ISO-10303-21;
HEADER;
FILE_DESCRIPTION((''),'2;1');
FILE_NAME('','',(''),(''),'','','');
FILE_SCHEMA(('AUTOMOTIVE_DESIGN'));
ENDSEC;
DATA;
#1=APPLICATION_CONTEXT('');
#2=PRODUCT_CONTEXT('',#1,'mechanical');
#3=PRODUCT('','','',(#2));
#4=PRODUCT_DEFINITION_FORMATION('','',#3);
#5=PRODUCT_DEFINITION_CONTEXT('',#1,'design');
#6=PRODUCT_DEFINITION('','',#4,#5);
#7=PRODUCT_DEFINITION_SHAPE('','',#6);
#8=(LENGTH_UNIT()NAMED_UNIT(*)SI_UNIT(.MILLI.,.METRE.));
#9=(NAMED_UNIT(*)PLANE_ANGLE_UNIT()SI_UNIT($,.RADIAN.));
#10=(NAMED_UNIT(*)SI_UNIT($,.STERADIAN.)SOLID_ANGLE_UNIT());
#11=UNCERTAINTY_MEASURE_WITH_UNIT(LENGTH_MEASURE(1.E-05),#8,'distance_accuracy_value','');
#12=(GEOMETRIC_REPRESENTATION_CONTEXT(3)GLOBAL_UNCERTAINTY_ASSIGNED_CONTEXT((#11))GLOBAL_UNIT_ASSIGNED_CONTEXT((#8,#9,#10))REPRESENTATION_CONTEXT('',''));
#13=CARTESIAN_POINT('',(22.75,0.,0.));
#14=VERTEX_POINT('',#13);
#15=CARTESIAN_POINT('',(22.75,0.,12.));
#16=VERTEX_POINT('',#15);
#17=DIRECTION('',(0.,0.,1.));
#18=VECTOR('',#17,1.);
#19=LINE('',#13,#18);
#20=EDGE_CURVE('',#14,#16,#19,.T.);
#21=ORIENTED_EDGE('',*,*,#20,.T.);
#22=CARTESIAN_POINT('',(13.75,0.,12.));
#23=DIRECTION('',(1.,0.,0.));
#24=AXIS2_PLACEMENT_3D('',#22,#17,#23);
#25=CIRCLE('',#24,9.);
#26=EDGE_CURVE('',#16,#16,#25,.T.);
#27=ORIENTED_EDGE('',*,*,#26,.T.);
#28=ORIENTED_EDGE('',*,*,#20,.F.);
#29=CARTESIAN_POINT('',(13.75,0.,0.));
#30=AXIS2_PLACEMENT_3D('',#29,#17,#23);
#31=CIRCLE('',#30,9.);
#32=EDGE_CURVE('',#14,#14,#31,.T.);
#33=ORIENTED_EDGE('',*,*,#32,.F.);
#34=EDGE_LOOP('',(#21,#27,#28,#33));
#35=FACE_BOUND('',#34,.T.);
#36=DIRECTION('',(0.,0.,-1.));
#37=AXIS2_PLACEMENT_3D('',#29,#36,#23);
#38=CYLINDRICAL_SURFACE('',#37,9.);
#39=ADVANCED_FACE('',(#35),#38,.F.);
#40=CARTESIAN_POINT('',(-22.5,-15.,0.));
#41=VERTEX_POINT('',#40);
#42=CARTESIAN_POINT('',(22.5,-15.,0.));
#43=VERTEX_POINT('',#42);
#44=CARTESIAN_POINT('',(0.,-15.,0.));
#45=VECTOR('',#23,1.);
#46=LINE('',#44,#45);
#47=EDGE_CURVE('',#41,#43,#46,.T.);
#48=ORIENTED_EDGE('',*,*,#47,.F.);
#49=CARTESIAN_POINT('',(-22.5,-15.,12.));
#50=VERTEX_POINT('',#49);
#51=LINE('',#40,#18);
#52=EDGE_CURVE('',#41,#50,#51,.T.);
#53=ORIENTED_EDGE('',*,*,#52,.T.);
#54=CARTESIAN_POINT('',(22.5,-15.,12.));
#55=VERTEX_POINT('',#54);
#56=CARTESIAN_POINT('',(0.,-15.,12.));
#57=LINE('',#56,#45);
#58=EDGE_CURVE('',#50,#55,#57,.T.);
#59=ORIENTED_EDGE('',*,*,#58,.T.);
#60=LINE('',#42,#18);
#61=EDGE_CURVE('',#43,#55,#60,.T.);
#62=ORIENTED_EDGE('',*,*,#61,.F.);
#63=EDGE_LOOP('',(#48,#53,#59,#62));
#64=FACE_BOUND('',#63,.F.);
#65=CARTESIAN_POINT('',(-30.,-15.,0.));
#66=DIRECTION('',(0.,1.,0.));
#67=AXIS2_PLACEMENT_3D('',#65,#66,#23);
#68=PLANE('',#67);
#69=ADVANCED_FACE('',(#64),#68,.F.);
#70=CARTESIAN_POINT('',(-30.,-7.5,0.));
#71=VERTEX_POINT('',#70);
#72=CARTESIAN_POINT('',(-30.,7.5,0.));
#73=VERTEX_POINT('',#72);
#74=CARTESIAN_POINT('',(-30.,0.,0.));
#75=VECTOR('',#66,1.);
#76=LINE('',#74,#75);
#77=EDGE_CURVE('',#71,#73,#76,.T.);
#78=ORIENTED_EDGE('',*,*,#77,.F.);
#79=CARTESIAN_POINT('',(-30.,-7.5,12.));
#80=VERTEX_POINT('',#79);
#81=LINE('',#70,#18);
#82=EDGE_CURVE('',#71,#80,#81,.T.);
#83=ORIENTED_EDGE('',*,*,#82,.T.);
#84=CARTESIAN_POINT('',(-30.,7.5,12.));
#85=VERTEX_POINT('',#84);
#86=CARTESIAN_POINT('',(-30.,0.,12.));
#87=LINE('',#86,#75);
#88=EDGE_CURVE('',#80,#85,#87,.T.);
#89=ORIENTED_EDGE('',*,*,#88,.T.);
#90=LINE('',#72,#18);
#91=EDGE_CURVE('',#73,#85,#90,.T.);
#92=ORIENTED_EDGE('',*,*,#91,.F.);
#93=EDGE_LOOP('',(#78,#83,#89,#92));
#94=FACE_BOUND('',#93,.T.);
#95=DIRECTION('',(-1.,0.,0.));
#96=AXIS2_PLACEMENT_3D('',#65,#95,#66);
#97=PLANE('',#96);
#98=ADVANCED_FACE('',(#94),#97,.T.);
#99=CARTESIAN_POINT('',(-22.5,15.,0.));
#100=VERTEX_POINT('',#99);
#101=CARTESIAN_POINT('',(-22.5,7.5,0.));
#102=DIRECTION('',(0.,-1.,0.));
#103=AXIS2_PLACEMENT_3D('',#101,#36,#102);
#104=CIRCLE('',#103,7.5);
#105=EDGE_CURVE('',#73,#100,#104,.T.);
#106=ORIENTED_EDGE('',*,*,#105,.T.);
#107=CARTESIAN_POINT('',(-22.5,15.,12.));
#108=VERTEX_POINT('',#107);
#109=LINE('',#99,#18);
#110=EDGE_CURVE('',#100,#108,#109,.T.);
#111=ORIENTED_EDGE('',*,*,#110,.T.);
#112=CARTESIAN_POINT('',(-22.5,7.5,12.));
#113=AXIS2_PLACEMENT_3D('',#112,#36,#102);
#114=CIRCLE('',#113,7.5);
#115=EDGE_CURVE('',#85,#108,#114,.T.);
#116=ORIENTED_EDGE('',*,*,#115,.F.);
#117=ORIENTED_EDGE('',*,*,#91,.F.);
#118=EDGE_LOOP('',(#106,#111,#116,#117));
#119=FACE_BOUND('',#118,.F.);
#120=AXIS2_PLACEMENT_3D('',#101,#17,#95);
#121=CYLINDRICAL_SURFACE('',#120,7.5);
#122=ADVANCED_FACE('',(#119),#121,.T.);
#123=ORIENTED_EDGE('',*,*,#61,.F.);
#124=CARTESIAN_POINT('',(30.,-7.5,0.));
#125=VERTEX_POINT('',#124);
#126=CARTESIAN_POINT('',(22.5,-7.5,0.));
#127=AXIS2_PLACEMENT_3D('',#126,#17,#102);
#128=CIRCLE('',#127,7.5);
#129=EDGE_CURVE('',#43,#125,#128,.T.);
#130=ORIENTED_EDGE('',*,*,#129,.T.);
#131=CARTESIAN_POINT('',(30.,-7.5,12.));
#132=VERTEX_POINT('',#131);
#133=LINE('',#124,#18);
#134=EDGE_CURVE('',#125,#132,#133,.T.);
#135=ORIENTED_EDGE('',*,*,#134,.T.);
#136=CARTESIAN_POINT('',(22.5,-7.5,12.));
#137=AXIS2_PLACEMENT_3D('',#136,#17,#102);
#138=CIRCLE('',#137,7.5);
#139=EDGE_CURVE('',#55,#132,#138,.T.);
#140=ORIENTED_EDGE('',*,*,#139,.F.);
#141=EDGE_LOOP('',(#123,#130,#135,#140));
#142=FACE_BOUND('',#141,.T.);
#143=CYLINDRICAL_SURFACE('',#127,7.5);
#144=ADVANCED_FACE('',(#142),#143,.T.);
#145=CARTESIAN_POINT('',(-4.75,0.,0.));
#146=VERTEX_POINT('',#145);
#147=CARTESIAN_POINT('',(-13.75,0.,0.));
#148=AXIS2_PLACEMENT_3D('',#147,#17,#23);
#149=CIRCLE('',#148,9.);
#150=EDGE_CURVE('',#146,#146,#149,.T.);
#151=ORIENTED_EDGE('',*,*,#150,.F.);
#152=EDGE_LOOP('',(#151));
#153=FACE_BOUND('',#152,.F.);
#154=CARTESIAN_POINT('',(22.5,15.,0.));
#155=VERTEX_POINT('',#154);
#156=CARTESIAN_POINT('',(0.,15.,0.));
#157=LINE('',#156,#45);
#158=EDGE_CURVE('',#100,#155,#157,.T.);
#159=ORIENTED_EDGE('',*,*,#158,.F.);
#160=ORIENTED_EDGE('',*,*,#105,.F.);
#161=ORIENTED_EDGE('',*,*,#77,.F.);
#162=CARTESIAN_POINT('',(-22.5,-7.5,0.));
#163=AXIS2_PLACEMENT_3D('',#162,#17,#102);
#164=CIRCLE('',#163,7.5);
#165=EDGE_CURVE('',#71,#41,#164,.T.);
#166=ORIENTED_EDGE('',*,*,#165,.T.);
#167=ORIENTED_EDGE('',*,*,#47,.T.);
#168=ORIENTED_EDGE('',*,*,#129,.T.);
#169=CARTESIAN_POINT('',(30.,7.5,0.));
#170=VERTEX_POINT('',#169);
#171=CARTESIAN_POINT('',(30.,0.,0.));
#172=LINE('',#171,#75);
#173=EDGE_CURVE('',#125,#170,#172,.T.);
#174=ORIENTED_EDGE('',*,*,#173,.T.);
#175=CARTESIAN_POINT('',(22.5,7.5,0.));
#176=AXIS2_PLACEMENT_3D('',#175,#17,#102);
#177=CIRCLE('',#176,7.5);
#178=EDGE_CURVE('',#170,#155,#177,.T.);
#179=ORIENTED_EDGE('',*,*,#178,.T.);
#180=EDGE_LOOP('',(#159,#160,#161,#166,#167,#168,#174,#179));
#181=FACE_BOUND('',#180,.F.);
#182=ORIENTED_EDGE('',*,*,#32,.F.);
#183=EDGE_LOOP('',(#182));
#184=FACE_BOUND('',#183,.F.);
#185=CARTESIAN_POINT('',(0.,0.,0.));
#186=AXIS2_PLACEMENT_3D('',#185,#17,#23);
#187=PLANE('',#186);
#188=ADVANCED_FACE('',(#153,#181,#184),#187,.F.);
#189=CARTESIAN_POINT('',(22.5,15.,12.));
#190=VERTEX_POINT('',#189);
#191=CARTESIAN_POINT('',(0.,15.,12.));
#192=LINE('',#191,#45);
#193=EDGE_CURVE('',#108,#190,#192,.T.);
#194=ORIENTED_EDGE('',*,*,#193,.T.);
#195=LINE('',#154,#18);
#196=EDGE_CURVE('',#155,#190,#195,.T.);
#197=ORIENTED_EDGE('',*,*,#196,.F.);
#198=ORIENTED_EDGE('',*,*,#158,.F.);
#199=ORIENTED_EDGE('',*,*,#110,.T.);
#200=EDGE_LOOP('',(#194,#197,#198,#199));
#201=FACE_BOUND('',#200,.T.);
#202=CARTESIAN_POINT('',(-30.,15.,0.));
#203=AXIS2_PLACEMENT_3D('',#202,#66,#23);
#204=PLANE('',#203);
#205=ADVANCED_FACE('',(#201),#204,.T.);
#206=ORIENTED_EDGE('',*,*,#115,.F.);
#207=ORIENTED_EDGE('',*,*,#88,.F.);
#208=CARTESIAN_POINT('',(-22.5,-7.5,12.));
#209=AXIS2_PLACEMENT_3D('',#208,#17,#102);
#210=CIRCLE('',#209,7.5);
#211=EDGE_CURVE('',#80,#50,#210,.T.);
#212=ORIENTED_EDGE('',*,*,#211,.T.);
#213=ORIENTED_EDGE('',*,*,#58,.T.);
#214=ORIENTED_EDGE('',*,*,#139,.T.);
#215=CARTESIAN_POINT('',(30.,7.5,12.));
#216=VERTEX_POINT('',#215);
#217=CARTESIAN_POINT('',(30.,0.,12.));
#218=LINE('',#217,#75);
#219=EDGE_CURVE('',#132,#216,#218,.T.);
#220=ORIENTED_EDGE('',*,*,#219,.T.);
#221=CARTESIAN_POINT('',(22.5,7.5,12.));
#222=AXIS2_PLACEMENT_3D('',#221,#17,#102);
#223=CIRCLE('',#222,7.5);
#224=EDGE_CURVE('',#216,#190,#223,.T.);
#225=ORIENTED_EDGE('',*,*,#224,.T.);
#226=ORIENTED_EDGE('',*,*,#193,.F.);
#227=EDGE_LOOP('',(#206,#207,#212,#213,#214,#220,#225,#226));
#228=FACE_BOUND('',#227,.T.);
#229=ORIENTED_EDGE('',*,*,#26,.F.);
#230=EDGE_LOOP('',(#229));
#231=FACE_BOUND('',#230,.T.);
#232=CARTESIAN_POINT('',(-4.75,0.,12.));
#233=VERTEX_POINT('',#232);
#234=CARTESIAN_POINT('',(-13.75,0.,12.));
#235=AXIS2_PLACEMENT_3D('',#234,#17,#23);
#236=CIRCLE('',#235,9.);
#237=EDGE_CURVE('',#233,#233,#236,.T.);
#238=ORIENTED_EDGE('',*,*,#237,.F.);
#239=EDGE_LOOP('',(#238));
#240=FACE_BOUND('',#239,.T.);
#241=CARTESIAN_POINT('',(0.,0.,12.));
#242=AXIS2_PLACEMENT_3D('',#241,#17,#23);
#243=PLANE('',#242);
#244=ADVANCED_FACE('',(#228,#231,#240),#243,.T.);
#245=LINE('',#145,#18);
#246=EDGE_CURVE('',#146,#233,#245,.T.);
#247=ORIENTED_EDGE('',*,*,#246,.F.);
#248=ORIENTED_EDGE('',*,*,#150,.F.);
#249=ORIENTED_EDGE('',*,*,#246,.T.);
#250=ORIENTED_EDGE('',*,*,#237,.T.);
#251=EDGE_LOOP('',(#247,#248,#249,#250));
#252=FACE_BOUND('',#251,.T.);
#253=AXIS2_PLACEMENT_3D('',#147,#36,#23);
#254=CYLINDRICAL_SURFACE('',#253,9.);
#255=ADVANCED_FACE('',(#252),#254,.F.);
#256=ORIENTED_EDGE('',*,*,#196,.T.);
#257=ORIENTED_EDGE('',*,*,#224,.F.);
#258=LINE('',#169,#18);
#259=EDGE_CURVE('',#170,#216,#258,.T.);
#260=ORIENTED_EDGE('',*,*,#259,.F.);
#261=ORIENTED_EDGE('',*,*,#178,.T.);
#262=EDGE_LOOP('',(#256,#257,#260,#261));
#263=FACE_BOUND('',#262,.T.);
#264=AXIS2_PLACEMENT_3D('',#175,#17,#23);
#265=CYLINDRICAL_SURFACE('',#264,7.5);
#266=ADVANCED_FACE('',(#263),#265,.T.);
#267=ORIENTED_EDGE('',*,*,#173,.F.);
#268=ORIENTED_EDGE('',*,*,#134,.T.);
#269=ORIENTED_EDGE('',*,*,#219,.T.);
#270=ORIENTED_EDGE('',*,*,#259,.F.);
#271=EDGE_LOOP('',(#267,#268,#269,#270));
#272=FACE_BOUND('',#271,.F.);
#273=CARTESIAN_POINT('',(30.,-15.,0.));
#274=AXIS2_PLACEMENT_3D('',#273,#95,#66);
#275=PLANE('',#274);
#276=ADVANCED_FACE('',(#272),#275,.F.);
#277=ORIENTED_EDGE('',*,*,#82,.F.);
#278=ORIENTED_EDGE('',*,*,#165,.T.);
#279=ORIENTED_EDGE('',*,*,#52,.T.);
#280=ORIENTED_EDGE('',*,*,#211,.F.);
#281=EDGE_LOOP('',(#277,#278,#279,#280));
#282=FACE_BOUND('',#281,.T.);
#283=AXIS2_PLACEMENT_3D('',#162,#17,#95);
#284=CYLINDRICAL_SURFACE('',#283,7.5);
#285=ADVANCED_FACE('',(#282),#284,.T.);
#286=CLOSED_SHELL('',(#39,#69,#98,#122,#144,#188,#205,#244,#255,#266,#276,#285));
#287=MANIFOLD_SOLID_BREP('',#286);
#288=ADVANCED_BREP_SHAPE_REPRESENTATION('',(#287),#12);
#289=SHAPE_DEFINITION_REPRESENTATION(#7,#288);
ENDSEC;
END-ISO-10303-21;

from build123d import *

# Parameters (mm, degrees)
F0_W     = 60
F0_H     = 30
F0_R     = 9
F1_DEPTH = 12
F2_R     = 7.5
F3_R     = 7.5
F4_R     = 7.5
F5_R     = 7.5


with BuildPart() as f1:
    # F0 (on Top) → F1 (new body)
    with BuildSketch(Plane.XY):
        Rectangle(F0_W, F0_H)
        with Locations((-13.75, 0)):
            Circle(F0_R, mode=Mode.SUBTRACT)
        with Locations((13.75, 0)):
            Circle(F0_R, mode=Mode.SUBTRACT)
    extrude(amount=F1_DEPTH)

    # F2
    f2_edges = [f1.edges().sort_by_distance(p)[0] for p in [
        (-30, -15, 6),
    ]]
    fillet(f2_edges, radius=F2_R)

    # F3
    f3_edges = [f1.edges().sort_by_distance(p)[0] for p in [
        (-30, 15, 6),
    ]]
    fillet(f3_edges, radius=F3_R)

    # F4
    f4_edges = [f1.edges().sort_by_distance(p)[0] for p in [
        (30, -15, 6),
    ]]
    fillet(f4_edges, radius=F4_R)

    # F5
    f5_edges = [f1.edges().sort_by_distance(p)[0] for p in [
        (30, 15, 6),
    ]]
    fillet(f5_edges, radius=F5_R)


solid = f1.part
